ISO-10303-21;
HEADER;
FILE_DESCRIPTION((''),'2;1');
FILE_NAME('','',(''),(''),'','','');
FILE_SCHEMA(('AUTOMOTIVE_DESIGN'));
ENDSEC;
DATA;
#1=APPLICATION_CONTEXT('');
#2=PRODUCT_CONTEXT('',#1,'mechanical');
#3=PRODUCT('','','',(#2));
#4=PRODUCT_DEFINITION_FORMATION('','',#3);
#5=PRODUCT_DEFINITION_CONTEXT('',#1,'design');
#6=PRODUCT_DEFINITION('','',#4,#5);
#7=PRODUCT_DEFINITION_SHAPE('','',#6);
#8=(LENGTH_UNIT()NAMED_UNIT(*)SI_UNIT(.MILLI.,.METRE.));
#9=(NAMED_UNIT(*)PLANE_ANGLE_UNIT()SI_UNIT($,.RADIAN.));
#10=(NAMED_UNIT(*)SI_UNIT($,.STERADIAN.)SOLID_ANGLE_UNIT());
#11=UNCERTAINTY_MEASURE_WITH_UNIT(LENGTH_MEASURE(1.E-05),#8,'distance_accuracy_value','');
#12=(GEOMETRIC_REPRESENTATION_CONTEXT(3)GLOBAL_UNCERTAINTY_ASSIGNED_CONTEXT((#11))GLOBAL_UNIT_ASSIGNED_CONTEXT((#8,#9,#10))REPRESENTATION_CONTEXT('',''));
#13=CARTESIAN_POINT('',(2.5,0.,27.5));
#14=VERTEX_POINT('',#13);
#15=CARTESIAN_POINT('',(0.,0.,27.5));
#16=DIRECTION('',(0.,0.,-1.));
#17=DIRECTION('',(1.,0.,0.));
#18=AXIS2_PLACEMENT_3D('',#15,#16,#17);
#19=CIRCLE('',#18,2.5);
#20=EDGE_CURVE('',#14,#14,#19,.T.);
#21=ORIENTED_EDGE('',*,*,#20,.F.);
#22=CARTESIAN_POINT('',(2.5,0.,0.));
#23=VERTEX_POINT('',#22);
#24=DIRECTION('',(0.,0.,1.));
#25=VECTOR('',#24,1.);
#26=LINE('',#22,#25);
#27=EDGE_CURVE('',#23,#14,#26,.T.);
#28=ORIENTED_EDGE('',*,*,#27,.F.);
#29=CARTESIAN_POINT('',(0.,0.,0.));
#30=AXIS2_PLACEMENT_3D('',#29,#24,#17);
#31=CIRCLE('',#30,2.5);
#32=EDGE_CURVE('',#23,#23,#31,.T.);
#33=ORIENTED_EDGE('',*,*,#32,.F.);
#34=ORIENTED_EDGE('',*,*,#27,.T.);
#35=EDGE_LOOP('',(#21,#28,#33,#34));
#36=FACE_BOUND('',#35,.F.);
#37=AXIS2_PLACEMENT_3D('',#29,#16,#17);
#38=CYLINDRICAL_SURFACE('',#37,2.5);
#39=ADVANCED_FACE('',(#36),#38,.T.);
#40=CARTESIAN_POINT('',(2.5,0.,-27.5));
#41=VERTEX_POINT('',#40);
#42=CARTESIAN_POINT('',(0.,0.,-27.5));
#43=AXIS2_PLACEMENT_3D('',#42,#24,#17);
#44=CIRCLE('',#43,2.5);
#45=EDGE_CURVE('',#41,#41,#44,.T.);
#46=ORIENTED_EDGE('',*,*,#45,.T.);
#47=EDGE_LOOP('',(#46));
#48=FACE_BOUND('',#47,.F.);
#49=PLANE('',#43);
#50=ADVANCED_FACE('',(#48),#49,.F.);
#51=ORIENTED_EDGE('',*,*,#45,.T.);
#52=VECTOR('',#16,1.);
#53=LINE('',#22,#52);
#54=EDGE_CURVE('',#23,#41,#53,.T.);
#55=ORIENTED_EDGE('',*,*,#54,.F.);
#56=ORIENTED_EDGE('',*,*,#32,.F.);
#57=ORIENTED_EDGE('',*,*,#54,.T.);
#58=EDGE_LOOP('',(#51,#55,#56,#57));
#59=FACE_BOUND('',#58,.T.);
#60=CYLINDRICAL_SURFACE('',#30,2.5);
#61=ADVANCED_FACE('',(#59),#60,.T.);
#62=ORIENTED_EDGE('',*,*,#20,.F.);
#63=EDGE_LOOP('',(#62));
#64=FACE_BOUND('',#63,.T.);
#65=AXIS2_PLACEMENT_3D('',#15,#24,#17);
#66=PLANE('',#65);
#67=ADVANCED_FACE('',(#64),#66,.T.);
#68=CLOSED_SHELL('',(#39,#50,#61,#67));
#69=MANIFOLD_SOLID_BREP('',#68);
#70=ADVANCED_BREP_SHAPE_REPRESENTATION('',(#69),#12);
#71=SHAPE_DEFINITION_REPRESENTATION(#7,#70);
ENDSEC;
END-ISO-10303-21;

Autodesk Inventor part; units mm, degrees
ref_plane "YZ Plane" through (0, 0, 0) normal (1, 0, 0) x (0, 1, 0)
ref_plane "XZ Plane" through (0, 0, 0) normal (0, 1, 0) x (-1, 0, 0)
ref_plane "XY Plane" through (0, 0, 0) normal (0, 0, 1) x (1, 0, 0)
sketch "Skizze1" plane through (0, 0, 0) normal (0, 0, 1) x (1, 0, 0)
  line L0 (-3.5, 0) -> (3.5, 0) projected
  line L1 (0, -3.5) -> (0, 3.5) projected
  circle A0 centre (0, 0) radius 2.5
  dimension "d0" = 5
extrude "Extrusion1" add sketch "Skizze1" along normal mid plane 55
thread "Gewinde1" size "M5x0.8" class "6g" standard "ANSI Metric M Profile" full length
properties part number "Gewindestück_M5_Z-Achse_55mm"
